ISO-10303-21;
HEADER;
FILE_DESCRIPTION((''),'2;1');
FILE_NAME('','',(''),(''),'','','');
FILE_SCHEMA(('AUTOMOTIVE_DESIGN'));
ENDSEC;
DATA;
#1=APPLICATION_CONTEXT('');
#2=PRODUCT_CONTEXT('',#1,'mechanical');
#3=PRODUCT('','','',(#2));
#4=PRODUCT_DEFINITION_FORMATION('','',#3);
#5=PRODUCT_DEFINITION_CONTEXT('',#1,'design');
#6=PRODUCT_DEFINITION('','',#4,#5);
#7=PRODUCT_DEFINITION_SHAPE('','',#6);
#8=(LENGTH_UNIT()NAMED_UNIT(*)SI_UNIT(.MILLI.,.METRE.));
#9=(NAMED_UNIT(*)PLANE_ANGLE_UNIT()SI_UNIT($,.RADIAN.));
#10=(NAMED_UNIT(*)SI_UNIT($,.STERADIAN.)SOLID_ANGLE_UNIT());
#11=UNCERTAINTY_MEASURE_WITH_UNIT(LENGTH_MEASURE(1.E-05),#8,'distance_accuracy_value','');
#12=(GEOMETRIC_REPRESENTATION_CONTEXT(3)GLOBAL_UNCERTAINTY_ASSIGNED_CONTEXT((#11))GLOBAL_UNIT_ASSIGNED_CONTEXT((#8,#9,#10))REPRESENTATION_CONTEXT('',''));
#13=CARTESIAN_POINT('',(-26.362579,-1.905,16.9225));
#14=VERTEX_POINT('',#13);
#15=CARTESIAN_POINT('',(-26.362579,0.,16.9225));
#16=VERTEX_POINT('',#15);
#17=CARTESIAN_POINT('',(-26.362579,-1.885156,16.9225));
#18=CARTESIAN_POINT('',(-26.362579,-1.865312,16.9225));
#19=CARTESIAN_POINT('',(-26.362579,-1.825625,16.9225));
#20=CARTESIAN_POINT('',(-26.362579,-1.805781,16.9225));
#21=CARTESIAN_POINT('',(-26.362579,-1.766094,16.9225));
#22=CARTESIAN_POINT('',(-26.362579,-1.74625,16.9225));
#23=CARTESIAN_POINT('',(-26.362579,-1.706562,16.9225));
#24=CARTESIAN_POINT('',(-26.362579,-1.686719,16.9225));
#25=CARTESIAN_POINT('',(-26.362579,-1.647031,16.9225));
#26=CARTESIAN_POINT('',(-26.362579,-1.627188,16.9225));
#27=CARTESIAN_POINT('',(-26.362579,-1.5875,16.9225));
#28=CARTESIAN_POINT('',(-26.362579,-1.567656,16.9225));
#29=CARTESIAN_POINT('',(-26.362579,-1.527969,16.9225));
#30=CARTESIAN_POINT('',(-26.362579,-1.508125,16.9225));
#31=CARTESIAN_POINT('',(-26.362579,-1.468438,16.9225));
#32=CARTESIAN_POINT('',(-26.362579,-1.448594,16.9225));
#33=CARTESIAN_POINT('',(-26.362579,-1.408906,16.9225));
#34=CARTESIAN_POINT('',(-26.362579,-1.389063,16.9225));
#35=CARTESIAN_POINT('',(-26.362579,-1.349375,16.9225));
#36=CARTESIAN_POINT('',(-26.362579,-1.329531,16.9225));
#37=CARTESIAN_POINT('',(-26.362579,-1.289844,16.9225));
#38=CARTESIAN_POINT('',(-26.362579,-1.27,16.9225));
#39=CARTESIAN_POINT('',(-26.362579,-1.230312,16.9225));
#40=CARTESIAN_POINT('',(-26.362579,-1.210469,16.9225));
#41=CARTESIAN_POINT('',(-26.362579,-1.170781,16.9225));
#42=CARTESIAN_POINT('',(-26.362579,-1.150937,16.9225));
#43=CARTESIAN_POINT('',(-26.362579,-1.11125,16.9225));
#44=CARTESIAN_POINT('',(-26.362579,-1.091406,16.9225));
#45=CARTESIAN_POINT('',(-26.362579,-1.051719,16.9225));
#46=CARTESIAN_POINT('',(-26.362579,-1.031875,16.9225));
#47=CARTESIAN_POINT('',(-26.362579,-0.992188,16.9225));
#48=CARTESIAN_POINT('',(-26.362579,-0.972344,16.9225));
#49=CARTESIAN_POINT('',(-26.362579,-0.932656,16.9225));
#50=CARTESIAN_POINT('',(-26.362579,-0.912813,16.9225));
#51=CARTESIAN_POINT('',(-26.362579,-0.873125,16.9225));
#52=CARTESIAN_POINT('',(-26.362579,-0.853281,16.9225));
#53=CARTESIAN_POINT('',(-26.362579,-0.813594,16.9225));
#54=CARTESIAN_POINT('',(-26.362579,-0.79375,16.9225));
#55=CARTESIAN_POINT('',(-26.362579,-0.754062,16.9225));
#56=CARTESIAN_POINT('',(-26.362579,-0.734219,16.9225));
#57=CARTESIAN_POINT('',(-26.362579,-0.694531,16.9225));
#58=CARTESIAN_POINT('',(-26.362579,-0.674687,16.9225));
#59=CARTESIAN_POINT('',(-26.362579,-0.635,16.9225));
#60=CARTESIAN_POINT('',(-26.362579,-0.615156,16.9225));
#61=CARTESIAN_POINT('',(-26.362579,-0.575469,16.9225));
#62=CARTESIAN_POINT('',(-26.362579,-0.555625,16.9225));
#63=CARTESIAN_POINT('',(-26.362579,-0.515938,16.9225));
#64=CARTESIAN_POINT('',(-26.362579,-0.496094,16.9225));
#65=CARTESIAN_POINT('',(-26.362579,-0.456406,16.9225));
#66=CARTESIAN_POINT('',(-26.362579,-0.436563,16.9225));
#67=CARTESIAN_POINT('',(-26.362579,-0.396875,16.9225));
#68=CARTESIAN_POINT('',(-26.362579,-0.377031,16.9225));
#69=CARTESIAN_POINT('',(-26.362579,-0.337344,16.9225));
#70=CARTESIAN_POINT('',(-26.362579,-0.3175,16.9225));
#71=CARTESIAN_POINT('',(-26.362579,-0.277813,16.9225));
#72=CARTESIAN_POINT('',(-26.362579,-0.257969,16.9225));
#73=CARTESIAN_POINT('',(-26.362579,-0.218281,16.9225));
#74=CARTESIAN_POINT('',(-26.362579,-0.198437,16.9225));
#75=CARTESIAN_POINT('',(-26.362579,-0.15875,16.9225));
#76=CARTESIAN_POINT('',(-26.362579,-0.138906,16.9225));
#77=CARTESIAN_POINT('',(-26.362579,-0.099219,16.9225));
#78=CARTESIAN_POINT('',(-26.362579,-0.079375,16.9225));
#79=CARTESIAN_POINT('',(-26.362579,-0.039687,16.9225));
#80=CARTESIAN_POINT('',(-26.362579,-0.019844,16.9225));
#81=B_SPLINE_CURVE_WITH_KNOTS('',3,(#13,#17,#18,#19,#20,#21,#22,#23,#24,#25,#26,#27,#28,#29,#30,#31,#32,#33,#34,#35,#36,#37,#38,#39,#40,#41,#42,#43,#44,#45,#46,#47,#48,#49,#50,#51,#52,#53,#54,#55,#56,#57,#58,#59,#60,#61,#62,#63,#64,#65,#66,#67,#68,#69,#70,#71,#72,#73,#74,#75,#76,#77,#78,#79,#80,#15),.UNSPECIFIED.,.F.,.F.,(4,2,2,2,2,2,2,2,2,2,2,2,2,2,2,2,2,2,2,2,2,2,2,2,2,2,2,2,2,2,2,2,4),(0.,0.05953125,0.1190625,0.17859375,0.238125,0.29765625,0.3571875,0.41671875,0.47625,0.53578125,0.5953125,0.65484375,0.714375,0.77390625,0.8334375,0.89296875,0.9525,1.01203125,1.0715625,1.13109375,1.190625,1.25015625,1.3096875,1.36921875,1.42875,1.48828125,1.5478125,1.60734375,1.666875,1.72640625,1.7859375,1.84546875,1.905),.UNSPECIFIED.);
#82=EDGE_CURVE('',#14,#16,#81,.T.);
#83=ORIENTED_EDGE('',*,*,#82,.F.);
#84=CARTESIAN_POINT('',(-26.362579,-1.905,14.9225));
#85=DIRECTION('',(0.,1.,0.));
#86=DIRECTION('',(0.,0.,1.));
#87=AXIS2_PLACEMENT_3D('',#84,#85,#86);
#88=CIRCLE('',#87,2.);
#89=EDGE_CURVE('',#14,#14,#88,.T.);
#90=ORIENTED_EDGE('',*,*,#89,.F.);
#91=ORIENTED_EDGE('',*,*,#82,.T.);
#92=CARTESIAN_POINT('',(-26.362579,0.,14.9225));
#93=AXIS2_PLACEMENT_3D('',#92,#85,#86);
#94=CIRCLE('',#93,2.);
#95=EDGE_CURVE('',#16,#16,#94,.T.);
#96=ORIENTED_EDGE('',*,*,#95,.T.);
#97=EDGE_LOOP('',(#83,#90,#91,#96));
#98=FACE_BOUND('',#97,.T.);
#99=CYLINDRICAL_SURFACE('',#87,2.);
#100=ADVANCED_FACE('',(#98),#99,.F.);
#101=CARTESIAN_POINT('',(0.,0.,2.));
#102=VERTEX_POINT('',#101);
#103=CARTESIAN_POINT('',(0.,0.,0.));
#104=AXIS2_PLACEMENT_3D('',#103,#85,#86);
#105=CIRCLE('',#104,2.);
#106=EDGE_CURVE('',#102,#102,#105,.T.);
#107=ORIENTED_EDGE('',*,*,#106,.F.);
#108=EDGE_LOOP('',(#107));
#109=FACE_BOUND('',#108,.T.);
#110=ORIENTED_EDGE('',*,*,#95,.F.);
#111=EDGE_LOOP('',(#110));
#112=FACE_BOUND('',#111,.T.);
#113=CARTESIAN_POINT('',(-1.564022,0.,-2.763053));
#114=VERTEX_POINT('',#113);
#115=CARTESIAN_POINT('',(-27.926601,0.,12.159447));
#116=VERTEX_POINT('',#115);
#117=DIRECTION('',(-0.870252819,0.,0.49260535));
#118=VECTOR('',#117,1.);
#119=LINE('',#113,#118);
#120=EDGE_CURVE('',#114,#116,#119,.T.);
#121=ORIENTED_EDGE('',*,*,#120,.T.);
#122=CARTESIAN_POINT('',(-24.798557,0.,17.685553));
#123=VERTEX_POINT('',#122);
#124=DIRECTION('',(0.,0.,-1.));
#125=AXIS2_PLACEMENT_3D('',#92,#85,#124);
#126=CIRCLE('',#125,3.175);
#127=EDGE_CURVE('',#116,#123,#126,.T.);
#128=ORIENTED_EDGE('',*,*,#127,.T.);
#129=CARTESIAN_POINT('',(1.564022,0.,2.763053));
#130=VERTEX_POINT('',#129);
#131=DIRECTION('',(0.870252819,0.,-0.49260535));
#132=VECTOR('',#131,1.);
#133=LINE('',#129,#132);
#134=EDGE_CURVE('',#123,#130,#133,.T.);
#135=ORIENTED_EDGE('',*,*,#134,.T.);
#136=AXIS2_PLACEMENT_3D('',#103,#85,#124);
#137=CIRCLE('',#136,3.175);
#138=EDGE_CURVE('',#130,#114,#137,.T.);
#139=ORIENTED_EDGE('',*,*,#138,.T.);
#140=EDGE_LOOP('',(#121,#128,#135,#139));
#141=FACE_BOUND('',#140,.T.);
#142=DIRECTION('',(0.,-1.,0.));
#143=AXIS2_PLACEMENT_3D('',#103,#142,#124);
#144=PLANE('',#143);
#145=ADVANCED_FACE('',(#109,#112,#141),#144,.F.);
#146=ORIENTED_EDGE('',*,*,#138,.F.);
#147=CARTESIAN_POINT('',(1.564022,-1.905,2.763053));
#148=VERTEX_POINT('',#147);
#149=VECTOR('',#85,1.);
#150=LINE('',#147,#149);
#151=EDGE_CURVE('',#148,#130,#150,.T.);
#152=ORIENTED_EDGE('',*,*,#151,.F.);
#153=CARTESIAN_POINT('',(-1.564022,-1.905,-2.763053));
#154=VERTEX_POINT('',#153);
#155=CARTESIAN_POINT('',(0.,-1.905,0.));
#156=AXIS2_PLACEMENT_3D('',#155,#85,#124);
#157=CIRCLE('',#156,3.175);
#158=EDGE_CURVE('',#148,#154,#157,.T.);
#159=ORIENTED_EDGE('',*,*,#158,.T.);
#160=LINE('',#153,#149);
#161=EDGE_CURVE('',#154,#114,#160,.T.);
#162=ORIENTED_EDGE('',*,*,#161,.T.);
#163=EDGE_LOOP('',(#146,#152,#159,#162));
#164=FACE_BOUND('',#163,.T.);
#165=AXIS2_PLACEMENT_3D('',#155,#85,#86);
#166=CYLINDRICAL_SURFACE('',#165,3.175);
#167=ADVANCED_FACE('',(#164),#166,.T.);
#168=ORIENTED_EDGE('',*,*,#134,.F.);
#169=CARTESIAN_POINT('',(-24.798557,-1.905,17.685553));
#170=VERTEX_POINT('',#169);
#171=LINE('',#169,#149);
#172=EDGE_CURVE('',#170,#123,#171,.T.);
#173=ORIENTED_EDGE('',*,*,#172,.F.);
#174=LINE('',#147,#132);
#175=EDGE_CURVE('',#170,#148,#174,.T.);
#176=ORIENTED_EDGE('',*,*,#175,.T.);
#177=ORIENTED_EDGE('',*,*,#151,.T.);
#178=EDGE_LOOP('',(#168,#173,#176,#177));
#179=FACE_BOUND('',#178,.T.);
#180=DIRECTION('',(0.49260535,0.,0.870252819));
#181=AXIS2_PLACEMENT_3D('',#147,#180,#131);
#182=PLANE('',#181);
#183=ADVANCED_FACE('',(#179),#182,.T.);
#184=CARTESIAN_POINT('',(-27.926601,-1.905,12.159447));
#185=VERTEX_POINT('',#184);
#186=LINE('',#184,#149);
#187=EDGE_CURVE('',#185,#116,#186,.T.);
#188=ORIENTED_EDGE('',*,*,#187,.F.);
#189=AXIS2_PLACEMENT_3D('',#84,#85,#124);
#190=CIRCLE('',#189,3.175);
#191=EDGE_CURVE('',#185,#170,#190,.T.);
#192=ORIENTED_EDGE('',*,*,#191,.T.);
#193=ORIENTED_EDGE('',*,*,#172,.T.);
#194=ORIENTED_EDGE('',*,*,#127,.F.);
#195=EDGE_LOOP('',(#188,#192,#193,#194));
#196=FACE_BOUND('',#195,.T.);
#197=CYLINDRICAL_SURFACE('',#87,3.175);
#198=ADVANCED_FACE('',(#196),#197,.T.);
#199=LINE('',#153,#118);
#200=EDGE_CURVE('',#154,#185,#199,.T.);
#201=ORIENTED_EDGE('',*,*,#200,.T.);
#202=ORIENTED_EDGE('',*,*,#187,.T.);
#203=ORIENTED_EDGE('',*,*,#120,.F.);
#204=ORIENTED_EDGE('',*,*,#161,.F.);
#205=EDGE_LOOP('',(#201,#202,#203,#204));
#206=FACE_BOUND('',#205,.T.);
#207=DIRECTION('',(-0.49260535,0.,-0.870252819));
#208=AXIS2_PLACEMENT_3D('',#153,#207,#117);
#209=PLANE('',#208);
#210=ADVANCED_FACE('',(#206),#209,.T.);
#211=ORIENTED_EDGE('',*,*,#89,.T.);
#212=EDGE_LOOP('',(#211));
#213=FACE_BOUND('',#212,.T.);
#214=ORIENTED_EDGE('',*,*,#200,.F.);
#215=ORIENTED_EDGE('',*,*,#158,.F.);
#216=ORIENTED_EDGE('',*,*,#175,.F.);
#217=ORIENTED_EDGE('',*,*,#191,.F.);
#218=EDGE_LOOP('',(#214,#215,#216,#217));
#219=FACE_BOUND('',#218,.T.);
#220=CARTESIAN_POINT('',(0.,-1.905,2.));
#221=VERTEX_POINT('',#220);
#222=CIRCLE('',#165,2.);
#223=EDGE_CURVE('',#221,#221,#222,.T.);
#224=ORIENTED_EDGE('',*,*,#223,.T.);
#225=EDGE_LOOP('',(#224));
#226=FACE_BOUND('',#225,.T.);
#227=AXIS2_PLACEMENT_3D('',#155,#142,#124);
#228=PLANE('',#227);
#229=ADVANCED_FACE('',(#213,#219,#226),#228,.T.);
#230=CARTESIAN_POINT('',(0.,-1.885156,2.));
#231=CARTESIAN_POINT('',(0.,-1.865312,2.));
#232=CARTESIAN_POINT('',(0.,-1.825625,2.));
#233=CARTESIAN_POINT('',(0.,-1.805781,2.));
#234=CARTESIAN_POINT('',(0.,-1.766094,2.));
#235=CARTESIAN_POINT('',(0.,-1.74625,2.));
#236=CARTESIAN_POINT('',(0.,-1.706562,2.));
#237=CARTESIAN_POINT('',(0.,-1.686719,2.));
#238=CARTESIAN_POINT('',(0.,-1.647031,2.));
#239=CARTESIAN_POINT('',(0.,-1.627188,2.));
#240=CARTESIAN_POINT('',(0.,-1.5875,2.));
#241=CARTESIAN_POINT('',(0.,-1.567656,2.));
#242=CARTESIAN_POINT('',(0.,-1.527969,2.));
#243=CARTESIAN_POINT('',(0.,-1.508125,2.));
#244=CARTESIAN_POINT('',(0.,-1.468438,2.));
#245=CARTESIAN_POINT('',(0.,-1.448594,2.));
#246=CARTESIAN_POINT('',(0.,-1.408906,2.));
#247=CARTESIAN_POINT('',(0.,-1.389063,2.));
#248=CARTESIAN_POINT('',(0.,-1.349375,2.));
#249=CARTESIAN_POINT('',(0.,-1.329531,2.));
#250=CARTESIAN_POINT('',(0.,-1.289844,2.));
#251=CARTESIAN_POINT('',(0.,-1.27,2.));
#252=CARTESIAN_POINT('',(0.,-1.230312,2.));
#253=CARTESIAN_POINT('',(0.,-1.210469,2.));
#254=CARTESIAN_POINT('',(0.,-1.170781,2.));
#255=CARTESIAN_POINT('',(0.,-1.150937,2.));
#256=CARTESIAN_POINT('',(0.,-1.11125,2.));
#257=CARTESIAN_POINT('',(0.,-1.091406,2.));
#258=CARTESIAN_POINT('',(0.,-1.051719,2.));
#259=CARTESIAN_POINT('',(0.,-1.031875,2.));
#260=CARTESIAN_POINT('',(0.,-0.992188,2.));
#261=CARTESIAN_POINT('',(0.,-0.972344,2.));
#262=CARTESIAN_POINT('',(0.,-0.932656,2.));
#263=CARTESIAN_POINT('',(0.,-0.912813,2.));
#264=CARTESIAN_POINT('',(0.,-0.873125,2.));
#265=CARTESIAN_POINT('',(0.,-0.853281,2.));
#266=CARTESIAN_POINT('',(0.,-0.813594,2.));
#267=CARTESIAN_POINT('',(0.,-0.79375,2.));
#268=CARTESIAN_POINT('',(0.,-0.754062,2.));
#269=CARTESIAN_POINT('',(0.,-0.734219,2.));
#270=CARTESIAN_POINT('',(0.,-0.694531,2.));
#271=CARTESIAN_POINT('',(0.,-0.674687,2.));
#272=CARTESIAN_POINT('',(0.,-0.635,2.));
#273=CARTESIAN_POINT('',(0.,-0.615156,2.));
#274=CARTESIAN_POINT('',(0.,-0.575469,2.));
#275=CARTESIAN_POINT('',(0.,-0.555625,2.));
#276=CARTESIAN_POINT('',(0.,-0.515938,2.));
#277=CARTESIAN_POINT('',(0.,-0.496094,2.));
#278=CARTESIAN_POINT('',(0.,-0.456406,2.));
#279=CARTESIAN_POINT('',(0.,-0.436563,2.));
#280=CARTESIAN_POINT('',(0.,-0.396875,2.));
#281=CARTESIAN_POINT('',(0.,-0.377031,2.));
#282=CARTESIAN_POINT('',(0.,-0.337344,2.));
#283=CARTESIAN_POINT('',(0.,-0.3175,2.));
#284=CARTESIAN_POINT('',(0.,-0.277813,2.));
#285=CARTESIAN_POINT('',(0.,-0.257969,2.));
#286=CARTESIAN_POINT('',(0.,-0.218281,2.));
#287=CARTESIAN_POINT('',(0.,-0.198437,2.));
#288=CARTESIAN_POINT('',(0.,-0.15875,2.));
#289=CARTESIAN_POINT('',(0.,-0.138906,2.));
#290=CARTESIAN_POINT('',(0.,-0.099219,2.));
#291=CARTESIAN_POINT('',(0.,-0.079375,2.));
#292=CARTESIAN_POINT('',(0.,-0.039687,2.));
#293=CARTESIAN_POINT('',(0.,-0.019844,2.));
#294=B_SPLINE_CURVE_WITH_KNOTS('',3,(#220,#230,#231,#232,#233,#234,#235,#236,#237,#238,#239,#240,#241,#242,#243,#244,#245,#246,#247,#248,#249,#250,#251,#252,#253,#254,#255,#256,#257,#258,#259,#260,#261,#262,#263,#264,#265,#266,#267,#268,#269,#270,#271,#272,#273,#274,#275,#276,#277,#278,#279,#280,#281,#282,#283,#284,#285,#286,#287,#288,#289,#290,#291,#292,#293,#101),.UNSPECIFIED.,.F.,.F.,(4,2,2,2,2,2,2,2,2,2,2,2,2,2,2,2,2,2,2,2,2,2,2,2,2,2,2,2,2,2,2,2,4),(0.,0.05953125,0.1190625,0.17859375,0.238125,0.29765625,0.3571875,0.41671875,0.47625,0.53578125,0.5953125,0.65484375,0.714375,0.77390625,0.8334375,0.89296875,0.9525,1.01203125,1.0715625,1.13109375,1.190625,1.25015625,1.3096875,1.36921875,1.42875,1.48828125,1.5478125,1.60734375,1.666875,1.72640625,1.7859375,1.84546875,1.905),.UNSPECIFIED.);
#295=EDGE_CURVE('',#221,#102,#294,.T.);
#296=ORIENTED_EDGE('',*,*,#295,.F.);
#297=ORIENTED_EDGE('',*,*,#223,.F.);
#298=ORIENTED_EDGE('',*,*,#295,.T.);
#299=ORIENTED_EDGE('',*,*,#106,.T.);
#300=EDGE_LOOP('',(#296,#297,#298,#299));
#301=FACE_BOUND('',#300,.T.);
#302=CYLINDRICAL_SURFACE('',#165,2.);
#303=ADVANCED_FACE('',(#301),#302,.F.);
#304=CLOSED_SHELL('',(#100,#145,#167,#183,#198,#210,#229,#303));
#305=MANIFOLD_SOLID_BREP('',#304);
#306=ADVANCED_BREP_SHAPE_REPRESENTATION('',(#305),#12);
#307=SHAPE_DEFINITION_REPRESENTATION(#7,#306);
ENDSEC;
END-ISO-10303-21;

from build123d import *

# Parameters (mm, degrees)
SKETCH1_R           = 2
BOSS_EXTRUDE1_DEPTH = 1.905


with BuildPart() as part:
    # Sketch1 → Boss-Extrude1 (new body)
    with BuildSketch(Plane(origin=(0, 0, 0), x_dir=(1, 0, 0), z_dir=(0, 1, 0))):
        with BuildLine():
            Line((1.564021986, -2.763052701), (-24.798557496, -17.685552701))
            ThreePointArc((-24.798557496, -17.685552701), (-29.125632183, -16.486521986), (-27.926601468, -12.159447299))
            Line((-27.926601468, -12.159447299), (-1.564021986, 2.763052701))
            ThreePointArc((-1.564021986, 2.763052701), (2.763052701, 1.564021986), (1.564021986, -2.763052701))
        make_face()
        with Locations(Location((0, 0, 0), (0, 0, 270))):
            Circle(SKETCH1_R, mode=Mode.SUBTRACT)
        with Locations(Location((-26.362579482, -14.9225, 0), (0, 0, 270))):
            Circle(SKETCH1_R, mode=Mode.SUBTRACT)
    extrude(amount=-BOSS_EXTRUDE1_DEPTH)


solid = part.part
